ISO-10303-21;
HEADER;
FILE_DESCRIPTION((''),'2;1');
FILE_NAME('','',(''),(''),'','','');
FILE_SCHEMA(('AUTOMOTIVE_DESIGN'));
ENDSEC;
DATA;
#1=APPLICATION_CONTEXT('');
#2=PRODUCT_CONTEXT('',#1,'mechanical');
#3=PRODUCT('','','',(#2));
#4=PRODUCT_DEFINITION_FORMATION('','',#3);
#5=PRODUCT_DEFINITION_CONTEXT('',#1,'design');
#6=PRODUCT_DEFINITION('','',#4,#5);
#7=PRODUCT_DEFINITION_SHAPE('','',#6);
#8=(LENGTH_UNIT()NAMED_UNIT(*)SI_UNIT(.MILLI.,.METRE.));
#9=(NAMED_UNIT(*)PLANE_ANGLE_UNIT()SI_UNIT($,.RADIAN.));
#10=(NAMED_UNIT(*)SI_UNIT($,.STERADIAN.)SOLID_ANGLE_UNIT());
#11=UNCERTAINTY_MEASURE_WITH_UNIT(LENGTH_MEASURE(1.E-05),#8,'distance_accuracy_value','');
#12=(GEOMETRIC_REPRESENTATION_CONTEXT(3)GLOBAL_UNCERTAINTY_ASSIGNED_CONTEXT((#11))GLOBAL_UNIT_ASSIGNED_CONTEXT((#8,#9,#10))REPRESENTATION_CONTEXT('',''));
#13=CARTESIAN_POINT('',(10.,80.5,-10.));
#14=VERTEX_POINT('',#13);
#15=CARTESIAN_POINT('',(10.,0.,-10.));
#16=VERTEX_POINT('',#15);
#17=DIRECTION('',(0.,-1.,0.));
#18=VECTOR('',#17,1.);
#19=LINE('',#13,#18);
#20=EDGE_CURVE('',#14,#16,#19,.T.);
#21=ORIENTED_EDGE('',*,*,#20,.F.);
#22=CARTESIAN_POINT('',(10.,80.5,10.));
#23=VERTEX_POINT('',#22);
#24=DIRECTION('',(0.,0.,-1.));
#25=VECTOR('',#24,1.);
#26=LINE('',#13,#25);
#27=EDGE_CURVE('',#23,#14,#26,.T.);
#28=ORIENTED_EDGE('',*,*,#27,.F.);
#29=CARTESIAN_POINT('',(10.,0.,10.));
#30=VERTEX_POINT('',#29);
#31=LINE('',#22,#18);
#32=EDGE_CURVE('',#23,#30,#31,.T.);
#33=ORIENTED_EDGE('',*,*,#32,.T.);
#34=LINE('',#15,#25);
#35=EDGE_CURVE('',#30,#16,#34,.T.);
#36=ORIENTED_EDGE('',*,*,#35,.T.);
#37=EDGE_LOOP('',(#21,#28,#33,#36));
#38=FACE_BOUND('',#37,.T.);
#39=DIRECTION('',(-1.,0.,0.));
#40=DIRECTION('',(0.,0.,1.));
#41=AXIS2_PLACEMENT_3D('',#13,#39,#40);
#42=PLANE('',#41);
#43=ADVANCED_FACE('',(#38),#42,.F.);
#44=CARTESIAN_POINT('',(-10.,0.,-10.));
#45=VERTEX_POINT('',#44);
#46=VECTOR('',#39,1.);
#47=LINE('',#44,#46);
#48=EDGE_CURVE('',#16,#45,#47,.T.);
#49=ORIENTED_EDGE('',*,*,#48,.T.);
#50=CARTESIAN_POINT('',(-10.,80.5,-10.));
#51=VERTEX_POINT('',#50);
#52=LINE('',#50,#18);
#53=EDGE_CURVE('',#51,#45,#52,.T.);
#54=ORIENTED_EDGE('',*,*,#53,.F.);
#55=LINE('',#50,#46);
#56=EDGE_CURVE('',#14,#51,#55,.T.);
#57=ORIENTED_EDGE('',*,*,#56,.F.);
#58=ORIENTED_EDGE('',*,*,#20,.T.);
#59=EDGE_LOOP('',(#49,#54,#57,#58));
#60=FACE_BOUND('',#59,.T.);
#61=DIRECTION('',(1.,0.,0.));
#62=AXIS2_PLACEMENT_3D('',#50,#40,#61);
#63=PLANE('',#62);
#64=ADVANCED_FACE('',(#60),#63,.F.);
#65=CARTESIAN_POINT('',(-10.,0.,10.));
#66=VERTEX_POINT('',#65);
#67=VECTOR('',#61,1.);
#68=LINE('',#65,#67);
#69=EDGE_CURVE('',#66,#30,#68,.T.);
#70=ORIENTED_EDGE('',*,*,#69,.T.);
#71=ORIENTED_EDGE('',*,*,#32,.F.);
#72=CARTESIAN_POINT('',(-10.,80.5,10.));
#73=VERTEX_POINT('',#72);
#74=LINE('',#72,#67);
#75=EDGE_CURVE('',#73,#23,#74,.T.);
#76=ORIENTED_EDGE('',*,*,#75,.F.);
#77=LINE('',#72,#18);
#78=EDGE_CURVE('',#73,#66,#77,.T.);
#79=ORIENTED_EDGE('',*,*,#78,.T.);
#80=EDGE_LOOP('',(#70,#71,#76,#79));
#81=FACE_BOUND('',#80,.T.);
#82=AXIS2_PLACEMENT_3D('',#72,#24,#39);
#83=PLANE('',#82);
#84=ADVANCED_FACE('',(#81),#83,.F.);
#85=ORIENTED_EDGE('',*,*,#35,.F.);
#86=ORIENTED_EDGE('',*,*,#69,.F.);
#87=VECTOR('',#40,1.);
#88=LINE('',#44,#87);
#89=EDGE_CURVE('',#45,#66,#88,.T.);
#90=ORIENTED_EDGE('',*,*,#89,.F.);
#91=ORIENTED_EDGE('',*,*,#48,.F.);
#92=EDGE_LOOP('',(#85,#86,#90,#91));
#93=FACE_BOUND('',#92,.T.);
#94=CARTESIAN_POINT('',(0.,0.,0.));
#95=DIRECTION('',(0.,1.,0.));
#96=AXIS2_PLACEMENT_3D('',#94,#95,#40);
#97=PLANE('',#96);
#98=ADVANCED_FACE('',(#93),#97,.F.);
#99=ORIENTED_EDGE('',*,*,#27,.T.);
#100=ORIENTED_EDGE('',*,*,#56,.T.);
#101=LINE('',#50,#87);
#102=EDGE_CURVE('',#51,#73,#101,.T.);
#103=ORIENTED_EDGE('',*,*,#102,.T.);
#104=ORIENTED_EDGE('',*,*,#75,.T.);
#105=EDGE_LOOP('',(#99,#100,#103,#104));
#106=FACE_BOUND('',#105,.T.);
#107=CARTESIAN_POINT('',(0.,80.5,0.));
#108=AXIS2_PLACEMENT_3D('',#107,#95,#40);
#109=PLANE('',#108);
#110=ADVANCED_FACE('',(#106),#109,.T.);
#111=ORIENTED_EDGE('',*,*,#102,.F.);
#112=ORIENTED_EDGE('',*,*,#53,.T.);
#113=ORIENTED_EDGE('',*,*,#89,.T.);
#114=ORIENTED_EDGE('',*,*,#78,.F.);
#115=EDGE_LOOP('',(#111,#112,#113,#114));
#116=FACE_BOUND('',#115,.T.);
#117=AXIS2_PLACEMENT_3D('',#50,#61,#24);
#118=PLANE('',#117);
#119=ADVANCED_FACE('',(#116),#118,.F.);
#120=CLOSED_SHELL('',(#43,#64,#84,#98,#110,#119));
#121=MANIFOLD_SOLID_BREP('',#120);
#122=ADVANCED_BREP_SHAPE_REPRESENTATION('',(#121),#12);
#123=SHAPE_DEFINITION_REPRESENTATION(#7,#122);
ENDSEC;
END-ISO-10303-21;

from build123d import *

# Parameters (mm, degrees)
SKETCH_1_W      = 20
SKETCH_1_H      = 20
EXTRUDE_1_DEPTH = 80.5


with BuildPart() as part:
    # 草图1 → 凸台-拉伸1 (new body)
    with BuildSketch(Plane(origin=(0, 0, 0), x_dir=(1, 0, 0), z_dir=(0, 1, 0))):
        Rectangle(SKETCH_1_W, SKETCH_1_H)
    extrude(amount=EXTRUDE_1_DEPTH)


solid = part.part
